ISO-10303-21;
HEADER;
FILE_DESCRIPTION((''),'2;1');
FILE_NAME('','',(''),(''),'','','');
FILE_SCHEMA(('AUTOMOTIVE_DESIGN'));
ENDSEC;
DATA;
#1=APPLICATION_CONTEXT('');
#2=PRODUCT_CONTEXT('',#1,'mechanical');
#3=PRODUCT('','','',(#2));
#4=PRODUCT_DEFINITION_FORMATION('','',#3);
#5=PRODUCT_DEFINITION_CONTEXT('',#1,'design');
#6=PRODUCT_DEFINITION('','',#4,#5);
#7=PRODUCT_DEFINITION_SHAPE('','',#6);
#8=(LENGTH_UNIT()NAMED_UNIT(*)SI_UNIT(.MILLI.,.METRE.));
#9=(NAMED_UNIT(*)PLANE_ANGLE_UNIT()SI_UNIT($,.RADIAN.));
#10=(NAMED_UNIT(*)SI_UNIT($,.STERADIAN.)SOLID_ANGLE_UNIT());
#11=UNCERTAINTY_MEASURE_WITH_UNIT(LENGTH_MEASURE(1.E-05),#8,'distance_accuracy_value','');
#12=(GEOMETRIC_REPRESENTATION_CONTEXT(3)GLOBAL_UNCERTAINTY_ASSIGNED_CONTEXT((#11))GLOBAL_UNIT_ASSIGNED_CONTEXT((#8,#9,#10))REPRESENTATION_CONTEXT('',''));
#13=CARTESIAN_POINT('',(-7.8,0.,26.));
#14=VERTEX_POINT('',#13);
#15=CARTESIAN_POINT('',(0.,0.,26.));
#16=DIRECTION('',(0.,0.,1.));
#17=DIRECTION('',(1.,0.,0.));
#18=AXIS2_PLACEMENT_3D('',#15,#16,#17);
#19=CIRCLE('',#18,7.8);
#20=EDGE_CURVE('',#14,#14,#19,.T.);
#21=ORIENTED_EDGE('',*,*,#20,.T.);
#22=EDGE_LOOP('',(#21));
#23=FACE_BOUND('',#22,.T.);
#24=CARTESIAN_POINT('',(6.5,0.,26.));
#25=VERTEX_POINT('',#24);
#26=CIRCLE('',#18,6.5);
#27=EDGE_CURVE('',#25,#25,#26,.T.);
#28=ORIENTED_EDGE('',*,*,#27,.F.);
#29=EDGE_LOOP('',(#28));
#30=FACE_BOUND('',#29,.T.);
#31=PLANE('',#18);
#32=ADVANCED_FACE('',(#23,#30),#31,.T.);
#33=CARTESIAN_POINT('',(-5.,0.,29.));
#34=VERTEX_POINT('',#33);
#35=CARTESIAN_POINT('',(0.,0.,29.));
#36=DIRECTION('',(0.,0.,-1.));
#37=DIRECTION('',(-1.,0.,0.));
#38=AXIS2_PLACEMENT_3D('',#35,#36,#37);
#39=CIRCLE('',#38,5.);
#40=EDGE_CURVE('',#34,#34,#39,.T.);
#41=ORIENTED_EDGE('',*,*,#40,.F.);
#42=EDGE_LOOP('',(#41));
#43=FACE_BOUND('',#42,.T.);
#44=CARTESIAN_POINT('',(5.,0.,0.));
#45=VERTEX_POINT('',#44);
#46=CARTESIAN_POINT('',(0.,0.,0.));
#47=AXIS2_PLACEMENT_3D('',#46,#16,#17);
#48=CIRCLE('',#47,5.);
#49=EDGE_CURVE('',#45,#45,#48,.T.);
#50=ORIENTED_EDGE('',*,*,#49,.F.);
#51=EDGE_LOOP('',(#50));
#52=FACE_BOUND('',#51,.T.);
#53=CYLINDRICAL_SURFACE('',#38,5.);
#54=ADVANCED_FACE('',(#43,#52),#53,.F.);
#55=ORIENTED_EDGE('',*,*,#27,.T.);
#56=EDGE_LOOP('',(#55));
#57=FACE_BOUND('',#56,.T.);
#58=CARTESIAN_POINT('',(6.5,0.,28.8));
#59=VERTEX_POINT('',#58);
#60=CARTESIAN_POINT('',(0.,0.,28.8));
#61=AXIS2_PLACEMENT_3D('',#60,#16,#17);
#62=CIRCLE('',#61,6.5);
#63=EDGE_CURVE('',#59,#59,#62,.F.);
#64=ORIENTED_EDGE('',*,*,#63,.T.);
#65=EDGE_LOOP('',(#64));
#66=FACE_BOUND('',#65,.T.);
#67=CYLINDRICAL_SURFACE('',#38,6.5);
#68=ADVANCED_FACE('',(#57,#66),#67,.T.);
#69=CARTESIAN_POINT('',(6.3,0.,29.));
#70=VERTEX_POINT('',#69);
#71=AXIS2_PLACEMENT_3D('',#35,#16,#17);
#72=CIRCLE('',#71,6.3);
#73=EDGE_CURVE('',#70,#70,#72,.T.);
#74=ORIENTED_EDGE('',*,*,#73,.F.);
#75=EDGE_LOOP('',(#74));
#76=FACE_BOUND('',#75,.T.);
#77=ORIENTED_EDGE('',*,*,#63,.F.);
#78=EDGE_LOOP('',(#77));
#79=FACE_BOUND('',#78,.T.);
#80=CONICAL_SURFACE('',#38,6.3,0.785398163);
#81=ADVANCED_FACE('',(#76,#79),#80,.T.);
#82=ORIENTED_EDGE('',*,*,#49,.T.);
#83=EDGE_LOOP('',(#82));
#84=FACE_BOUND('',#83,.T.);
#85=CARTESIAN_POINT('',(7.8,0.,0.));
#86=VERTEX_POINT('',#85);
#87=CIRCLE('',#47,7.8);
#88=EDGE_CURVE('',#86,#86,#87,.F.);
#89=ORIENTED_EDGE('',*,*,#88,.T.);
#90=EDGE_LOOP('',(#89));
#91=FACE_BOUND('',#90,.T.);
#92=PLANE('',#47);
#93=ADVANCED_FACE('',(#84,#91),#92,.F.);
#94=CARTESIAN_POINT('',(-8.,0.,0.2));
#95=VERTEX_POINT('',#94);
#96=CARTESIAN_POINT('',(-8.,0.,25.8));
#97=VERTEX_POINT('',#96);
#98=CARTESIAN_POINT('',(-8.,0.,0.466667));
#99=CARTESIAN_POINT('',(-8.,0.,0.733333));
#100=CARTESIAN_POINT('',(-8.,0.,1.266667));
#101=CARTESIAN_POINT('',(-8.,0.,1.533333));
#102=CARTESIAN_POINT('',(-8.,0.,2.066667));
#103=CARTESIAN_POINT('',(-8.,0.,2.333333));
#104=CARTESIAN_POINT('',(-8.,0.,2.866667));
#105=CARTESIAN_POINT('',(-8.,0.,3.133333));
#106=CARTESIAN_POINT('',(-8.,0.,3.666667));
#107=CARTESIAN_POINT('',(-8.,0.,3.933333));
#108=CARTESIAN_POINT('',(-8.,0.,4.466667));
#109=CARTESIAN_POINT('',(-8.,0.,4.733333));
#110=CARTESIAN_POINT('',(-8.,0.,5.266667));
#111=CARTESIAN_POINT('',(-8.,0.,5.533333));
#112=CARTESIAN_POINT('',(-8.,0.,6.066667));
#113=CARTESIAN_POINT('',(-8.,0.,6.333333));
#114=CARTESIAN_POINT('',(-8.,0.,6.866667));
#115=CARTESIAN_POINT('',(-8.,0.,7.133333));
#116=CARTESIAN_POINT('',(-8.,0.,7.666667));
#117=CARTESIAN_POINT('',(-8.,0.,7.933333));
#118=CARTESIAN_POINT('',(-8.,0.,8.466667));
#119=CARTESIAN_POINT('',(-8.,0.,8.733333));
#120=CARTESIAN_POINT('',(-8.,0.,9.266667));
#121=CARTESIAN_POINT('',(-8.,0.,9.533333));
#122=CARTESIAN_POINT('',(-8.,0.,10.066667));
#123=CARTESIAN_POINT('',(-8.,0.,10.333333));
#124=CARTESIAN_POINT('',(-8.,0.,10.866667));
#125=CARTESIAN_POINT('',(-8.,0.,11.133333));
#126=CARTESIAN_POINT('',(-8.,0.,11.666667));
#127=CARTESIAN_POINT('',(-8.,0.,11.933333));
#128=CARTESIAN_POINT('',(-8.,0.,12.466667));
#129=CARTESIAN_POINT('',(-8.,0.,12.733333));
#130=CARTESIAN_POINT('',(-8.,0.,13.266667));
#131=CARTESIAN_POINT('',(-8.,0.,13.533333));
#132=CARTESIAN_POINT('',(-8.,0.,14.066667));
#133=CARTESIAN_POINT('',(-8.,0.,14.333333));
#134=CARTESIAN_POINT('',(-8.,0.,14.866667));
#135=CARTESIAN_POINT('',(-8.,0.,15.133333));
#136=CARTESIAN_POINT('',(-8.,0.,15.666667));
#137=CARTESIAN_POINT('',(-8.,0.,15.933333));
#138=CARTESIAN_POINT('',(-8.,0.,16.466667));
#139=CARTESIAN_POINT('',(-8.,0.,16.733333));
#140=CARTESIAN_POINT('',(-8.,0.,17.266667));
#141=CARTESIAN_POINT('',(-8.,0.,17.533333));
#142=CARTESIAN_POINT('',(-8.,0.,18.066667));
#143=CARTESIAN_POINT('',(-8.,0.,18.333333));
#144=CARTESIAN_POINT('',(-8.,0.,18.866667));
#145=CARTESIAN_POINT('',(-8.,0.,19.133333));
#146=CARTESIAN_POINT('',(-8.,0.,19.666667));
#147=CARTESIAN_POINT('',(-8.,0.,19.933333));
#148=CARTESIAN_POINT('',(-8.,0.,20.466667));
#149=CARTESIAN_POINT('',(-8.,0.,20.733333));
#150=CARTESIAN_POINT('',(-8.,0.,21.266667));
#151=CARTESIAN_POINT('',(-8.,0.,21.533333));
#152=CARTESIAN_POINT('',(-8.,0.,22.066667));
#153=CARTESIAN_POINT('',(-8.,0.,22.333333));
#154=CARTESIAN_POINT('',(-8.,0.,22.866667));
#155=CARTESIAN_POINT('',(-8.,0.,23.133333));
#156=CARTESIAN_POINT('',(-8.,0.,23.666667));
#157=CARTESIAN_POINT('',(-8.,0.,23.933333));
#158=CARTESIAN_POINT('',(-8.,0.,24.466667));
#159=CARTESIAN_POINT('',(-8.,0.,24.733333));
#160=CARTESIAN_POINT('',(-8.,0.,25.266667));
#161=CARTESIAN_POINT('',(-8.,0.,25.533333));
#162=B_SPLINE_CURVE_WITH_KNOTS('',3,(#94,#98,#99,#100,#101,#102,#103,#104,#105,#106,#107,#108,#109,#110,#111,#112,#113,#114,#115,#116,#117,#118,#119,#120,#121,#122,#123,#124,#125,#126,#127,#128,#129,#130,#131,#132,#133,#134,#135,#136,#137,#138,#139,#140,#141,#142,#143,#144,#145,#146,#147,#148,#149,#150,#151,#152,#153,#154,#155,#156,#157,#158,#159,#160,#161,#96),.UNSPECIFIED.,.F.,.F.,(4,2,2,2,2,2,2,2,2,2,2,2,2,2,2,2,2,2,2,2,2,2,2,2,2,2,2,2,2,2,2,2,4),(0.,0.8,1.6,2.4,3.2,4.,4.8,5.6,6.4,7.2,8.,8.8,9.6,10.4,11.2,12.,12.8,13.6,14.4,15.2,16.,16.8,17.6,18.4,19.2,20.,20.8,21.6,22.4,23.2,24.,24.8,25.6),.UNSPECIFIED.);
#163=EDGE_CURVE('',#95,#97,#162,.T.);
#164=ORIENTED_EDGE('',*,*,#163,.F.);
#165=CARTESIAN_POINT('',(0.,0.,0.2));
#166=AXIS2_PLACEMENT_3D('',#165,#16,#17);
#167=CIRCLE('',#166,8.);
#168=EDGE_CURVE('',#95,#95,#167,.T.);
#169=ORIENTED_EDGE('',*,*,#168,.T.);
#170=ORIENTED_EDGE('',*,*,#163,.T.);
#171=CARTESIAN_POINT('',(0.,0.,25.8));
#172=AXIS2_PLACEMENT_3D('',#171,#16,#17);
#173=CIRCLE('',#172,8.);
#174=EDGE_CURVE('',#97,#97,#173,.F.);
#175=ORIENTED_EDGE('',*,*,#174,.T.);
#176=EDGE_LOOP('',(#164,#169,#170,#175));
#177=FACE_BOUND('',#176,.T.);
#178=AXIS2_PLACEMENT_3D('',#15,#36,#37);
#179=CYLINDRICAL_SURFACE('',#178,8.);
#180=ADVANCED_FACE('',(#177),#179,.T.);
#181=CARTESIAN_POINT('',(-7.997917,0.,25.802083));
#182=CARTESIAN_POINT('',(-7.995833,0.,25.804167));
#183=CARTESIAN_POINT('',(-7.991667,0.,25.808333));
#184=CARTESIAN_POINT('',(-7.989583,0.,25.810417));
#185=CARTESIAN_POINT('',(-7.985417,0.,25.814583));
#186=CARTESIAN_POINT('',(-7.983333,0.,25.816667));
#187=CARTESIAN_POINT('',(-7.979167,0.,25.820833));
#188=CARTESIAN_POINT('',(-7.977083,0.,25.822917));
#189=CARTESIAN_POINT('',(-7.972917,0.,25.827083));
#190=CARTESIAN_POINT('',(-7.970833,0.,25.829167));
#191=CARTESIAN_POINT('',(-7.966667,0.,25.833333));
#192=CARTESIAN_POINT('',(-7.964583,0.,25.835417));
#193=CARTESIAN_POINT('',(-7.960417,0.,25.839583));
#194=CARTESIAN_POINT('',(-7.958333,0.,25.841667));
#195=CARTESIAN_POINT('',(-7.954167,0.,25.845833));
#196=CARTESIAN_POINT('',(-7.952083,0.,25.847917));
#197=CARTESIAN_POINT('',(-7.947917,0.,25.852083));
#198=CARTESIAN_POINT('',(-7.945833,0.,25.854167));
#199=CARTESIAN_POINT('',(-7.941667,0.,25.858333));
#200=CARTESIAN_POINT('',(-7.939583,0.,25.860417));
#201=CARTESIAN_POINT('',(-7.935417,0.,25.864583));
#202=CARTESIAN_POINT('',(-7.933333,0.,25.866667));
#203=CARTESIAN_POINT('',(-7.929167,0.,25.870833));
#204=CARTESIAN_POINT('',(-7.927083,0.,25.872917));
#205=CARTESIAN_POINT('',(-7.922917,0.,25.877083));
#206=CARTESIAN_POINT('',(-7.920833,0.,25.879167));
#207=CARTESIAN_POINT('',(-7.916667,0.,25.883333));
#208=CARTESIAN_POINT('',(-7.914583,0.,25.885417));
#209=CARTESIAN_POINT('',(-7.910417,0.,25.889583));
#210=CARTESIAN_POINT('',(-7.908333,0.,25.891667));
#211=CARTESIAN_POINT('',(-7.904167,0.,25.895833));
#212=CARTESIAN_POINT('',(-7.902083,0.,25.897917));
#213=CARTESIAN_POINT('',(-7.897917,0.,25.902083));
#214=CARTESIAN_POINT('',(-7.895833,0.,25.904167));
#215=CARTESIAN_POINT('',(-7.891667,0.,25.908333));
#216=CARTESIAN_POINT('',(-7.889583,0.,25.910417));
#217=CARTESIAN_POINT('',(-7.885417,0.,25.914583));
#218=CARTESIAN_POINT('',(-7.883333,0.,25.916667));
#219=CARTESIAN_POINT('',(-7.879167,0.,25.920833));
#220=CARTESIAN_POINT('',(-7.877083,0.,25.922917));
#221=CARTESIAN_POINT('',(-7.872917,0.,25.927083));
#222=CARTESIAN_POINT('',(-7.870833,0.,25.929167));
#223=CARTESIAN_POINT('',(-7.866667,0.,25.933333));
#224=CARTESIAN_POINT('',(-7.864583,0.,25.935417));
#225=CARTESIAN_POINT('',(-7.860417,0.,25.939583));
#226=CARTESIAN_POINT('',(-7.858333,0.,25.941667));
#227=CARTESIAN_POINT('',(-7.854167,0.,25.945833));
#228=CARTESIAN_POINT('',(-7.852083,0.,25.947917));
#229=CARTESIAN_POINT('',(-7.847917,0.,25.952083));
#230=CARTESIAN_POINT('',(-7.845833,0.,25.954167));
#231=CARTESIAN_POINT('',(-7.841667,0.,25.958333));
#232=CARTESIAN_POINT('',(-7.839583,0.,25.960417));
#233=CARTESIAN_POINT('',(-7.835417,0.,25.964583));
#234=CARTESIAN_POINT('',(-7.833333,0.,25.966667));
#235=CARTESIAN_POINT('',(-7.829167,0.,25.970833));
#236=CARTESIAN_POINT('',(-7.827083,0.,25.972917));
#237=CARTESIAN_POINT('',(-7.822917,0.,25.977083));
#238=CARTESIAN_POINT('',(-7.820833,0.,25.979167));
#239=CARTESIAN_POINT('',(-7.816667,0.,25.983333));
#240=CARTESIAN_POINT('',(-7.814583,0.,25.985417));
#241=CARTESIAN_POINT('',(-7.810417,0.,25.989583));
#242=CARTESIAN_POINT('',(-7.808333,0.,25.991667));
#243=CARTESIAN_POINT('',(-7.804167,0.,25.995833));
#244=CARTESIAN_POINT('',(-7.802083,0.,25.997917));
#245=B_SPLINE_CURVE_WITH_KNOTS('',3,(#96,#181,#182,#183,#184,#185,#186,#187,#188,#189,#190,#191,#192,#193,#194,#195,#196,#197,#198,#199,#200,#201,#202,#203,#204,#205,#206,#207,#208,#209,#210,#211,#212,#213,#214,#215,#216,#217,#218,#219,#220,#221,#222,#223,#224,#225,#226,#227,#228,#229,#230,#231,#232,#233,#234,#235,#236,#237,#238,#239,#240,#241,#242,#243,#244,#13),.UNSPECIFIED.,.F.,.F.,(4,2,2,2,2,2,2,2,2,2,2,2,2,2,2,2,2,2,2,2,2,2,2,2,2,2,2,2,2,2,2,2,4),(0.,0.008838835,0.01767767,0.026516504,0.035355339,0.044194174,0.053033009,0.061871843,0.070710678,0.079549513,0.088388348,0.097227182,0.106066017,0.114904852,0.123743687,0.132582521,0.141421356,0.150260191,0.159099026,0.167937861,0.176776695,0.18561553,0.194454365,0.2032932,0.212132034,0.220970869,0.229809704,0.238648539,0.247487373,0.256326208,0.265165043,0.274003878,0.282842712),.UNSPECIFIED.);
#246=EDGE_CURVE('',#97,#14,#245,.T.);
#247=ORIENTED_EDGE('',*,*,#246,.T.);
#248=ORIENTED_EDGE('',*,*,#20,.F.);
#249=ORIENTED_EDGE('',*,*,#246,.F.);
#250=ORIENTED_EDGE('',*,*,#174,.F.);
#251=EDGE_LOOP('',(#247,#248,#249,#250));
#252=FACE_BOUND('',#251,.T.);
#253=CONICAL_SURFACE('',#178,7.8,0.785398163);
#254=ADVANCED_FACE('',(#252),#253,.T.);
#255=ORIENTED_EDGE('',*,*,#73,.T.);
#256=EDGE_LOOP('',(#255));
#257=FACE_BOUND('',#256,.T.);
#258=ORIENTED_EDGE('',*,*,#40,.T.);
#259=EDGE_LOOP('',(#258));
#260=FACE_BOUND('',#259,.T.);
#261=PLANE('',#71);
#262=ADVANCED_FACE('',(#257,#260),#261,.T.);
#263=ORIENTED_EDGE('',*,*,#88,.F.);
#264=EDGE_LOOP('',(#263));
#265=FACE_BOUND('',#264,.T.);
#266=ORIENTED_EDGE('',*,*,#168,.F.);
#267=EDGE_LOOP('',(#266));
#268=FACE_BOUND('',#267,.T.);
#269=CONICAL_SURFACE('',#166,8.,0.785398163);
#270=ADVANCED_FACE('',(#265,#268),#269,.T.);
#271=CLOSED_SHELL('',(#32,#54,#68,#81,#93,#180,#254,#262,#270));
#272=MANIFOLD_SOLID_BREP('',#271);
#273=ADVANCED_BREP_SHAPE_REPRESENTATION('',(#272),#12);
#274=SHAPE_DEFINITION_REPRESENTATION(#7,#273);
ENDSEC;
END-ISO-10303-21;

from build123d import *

# Parameters (mm, degrees)
SKIZZE1_R                            = 8
AUFSATZ_LINEAR_AUSTRAGEN1_DEPTH      = 26
SKIZZE2_R                            = 6.5
AUFSATZ_LINEAR_AUSTRAGEN2_DEPTH      = 3
SCHNITT_LINEAR_AUSTRAGEN1_DEPTH      = 32.128764833
SCHNITT_LINEAR_AUSTRAGEN1_DEPTH_BACK = 32.128764833
SKIZZE3_R                            = 5
FASE1_SIZE                           = 0.2


with BuildPart() as part:
    # Skizze1 → Aufsatz-Linear austragen1 (new body)
    with BuildSketch(Plane.XY):
        with Locations(Location((0, 0, 0), (0, 0, 180))):
            Circle(SKIZZE1_R)
    extrude(amount=AUFSATZ_LINEAR_AUSTRAGEN1_DEPTH)

    # Skizze2 → Aufsatz-Linear austragen2 (add)
    with BuildSketch(Plane.XY.offset(26)):
        Circle(SKIZZE2_R)
    extrude(amount=AUFSATZ_LINEAR_AUSTRAGEN2_DEPTH)

    # Skizze3 → Schnitt-Linear austragen1 (cut, two sides: drawn at the far end of the back side and taken through both)
    with BuildSketch(Plane(origin=(0, 0, 0), x_dir=(-1, 0, 0), z_dir=(0, 0, -1)).offset(-SCHNITT_LINEAR_AUSTRAGEN1_DEPTH_BACK)):
        Circle(SKIZZE3_R)
    extrude(amount=SCHNITT_LINEAR_AUSTRAGEN1_DEPTH + SCHNITT_LINEAR_AUSTRAGEN1_DEPTH_BACK, mode=Mode.SUBTRACT)

    # Fase1
    fase1_edges = [part.edges().sort_by_distance(p)[0] for p in [
        (8, 0, 0),
        (8, 0, 26),
        (-6.5, 0, 29),
    ]]
    chamfer(fase1_edges, length=FASE1_SIZE)


solid = part.part
